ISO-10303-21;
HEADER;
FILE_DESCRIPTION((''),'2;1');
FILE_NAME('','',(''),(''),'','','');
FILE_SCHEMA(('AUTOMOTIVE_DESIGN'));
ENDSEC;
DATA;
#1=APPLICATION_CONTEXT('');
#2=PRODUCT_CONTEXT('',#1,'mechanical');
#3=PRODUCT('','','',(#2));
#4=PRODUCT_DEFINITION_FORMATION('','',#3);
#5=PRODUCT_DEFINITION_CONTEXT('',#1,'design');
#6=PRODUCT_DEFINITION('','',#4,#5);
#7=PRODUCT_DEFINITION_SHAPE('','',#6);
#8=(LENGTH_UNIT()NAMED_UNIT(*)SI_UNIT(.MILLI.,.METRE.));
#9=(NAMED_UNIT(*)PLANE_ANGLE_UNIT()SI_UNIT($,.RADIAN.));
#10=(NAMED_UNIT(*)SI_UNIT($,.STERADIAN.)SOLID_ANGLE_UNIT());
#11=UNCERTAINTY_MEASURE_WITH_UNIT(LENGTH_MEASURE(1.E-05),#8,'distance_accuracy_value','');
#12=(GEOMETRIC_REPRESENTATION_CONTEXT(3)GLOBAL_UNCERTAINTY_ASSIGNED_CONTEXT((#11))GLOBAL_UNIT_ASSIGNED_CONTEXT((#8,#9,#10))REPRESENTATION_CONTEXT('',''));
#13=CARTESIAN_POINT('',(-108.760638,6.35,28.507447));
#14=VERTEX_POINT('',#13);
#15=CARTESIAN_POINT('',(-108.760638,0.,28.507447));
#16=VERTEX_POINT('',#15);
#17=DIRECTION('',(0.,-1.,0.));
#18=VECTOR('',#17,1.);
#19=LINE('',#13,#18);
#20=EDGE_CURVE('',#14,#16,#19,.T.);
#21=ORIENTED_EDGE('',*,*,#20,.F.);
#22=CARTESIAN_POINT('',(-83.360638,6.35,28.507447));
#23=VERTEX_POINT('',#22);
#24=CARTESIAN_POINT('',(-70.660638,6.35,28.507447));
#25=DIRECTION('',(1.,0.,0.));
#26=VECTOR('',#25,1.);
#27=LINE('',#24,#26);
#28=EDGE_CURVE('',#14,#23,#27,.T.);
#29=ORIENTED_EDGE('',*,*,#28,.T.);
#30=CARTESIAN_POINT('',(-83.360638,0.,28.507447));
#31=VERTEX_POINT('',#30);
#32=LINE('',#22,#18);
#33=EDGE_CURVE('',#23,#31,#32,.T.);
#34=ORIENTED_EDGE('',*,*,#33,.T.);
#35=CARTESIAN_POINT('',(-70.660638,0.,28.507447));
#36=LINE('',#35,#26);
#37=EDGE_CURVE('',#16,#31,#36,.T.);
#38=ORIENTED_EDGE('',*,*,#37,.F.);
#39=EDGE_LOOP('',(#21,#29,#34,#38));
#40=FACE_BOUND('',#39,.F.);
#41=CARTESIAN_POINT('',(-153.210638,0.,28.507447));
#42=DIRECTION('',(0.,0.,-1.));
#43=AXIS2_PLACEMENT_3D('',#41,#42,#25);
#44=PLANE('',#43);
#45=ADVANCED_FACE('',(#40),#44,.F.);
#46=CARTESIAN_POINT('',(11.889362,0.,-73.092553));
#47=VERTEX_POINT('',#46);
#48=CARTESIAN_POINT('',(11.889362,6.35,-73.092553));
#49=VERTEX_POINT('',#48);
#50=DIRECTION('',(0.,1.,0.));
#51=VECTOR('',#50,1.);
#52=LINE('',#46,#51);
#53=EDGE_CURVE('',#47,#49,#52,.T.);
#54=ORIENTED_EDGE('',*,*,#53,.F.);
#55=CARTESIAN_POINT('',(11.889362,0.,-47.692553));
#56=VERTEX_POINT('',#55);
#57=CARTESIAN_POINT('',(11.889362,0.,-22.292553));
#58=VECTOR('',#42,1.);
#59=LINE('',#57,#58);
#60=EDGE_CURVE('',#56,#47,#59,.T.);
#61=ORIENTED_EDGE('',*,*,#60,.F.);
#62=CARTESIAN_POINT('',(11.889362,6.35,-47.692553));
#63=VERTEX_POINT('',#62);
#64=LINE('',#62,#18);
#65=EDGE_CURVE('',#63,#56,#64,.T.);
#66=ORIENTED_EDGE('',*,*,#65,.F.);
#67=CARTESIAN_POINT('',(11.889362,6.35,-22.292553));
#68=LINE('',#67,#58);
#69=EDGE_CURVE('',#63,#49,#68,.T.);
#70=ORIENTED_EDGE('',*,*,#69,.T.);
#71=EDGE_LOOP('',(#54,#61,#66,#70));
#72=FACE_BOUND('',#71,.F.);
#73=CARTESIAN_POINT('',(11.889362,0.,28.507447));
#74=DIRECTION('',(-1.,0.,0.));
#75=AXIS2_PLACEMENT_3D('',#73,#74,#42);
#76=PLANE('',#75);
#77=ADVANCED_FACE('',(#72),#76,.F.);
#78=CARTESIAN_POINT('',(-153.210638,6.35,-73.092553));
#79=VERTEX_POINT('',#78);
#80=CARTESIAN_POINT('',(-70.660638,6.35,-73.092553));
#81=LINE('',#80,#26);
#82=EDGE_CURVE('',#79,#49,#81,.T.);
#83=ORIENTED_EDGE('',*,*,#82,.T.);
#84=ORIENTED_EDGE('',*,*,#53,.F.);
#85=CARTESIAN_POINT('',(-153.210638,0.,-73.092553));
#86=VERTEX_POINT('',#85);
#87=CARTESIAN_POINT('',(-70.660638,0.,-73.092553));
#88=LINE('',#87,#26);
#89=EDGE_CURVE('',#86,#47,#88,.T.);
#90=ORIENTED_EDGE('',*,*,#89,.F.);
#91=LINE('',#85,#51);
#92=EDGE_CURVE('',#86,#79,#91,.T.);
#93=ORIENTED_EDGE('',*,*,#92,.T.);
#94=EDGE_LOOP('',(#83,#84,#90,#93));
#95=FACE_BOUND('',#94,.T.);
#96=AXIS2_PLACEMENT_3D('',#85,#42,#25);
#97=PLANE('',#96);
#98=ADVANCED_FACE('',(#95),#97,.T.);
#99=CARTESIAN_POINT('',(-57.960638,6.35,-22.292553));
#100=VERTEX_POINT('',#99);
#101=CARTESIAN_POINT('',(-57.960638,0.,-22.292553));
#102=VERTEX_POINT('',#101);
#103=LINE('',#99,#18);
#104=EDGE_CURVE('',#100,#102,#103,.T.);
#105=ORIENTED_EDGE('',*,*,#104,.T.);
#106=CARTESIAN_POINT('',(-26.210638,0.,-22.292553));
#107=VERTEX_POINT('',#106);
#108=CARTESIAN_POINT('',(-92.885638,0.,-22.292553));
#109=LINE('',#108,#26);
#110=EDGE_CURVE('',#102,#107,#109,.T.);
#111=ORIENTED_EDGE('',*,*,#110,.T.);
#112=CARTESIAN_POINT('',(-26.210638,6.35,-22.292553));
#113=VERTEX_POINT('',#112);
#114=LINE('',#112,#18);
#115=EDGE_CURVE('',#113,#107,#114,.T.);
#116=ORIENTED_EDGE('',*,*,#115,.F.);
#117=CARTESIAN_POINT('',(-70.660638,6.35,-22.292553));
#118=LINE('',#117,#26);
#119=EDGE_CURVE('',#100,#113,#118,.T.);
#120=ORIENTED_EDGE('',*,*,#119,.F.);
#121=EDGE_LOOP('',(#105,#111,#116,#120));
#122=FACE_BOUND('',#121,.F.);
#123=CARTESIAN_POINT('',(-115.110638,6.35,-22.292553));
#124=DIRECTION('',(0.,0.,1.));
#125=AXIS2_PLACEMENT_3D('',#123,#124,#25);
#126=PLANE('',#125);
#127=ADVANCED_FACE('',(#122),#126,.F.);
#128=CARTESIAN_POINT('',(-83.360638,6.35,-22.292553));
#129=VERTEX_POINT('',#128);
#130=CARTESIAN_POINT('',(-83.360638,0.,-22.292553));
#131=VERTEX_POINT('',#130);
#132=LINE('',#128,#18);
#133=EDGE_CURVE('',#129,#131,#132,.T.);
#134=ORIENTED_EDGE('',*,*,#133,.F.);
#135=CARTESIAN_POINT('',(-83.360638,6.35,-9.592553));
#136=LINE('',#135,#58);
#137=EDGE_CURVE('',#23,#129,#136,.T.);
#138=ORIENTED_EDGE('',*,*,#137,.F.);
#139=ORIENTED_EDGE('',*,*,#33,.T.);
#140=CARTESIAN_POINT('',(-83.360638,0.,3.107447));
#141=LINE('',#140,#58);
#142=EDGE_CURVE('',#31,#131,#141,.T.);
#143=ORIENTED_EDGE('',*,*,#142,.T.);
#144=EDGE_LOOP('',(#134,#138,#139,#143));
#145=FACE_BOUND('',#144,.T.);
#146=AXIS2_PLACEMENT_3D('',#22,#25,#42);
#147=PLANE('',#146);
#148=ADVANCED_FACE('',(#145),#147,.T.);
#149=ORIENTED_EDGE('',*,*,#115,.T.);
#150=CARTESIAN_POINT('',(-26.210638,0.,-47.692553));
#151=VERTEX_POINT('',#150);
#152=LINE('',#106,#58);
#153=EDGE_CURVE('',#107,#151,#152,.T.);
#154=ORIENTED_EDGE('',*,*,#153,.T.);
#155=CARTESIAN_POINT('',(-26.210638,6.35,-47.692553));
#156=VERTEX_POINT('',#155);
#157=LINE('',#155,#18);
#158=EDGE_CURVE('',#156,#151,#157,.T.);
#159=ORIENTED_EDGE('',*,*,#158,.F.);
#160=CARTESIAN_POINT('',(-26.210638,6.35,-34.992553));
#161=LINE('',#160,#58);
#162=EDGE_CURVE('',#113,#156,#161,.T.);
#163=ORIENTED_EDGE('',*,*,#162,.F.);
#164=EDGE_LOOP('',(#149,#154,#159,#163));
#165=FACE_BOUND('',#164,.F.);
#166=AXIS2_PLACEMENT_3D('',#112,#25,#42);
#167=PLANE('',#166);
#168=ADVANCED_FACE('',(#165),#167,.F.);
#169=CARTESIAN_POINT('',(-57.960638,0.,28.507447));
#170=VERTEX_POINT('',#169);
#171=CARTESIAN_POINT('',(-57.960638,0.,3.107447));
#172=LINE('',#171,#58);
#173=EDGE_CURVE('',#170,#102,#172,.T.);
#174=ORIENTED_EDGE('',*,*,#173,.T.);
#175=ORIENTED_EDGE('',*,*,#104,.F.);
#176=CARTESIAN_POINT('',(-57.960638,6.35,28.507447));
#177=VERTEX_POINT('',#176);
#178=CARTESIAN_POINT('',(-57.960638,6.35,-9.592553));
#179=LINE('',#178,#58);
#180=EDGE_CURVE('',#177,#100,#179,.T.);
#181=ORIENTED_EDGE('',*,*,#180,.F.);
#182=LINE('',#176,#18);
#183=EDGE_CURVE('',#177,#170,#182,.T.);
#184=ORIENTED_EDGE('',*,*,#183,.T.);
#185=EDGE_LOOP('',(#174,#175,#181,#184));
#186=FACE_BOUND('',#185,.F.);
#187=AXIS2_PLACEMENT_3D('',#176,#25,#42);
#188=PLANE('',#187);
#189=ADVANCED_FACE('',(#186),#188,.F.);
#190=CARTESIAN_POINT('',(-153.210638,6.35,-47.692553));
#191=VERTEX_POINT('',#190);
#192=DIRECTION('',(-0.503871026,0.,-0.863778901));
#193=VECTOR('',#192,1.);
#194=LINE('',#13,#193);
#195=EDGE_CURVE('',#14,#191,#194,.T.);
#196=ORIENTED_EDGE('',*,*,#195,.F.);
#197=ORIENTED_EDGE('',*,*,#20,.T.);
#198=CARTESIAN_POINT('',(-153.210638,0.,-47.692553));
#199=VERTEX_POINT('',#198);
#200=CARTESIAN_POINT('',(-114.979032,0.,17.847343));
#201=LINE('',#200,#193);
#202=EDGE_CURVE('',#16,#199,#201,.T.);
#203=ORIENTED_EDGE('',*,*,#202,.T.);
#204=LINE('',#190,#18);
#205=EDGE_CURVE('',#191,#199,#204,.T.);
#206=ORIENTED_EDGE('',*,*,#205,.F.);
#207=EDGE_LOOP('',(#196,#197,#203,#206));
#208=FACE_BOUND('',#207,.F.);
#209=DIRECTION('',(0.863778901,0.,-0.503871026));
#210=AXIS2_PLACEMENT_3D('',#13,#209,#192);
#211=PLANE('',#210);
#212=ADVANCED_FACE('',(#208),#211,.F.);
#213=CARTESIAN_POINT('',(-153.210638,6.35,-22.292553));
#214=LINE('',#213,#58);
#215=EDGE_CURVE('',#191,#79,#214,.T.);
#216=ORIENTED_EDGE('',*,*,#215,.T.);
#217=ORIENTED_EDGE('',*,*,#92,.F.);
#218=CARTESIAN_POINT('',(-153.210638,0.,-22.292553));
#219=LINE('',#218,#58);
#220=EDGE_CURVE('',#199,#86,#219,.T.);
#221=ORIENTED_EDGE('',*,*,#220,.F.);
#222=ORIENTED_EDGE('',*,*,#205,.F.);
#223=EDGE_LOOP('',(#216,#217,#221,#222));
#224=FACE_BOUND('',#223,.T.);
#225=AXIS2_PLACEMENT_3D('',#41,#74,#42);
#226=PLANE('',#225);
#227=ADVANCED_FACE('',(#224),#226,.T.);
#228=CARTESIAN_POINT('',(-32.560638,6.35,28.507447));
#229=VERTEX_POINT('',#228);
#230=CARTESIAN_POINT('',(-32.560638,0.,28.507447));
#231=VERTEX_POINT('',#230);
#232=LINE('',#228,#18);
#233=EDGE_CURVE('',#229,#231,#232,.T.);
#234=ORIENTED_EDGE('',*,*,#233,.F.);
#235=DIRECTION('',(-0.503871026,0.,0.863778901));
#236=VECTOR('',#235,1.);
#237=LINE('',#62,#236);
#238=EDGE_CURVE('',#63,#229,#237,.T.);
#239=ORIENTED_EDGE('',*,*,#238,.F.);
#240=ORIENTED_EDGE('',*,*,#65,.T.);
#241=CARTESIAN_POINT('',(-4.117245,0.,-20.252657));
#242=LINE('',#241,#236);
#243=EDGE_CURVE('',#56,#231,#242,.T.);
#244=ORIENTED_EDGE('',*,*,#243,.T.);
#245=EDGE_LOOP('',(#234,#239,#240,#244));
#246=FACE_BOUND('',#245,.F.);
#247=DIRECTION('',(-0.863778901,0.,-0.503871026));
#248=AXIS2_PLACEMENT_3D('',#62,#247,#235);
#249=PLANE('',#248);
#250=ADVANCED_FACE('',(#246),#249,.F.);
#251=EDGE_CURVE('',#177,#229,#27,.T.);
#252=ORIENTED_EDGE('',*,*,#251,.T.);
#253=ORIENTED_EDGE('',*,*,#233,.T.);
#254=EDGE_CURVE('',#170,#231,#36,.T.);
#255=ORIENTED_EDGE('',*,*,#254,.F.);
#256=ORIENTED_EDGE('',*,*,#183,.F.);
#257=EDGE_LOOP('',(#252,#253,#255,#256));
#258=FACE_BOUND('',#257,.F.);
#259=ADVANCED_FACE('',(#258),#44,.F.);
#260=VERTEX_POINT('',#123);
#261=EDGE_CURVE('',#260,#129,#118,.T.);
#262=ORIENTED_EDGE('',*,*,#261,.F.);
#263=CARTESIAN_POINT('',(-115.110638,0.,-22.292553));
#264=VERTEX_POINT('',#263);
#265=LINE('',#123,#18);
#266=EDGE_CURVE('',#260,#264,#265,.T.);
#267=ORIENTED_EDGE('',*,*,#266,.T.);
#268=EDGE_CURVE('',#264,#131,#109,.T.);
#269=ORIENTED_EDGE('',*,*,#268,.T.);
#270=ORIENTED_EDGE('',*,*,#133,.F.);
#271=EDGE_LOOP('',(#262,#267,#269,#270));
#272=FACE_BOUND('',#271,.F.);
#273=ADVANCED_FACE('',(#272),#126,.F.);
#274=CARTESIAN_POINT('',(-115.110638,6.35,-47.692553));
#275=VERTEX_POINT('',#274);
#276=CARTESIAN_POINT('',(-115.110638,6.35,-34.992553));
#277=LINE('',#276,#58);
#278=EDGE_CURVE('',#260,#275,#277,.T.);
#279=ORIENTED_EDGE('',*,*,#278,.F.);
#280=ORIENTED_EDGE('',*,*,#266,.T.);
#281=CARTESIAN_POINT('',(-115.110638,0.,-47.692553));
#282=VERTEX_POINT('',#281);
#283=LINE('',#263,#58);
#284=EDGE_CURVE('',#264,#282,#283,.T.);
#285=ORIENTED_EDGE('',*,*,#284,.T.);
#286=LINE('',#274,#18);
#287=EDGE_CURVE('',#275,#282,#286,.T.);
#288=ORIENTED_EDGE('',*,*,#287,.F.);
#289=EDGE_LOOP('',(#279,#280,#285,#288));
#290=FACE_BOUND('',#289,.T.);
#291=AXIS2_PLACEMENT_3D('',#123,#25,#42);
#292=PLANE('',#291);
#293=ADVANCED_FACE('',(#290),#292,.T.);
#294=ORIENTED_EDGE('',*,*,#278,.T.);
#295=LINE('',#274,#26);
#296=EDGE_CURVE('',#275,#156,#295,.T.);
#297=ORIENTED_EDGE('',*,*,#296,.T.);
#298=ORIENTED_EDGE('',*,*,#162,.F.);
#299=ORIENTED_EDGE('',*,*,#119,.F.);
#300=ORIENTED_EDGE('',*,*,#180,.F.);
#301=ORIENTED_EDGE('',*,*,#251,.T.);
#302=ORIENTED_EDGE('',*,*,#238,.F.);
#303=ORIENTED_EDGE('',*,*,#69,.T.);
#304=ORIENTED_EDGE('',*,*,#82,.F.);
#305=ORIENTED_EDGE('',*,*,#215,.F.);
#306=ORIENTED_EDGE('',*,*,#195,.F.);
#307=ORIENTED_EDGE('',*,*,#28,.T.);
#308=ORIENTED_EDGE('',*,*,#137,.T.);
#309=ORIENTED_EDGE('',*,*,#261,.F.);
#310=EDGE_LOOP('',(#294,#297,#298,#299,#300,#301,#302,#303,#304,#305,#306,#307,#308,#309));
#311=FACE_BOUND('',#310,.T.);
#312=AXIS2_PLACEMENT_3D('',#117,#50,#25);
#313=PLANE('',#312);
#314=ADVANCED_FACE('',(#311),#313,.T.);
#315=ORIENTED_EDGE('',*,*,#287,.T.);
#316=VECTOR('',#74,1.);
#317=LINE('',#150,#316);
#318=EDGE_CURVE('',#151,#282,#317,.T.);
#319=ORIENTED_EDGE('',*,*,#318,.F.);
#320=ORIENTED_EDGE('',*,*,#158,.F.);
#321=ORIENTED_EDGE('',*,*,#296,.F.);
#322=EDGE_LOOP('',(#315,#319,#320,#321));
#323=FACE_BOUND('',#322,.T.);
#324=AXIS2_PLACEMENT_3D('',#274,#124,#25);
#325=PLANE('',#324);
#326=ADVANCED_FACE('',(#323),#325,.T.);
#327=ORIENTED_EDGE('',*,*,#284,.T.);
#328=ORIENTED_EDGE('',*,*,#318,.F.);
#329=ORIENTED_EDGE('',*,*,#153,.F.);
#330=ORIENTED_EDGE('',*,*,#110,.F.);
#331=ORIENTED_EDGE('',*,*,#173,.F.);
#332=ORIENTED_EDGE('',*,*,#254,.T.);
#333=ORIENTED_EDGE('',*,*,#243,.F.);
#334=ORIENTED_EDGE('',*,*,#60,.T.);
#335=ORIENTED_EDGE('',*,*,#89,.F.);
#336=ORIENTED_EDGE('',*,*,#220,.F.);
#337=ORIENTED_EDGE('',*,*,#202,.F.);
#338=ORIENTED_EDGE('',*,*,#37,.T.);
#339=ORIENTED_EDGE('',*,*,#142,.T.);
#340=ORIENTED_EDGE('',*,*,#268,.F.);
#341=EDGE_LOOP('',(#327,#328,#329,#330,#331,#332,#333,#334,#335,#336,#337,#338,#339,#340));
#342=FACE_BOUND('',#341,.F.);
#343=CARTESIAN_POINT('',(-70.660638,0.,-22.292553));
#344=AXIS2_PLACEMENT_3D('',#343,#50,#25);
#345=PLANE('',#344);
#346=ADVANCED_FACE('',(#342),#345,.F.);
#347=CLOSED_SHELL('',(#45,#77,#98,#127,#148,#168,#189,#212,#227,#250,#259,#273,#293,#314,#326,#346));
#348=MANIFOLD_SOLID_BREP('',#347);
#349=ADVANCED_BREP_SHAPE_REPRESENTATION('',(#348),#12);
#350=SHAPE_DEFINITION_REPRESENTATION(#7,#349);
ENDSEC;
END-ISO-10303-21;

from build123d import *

# Parameters (mm, degrees)
SKETCH2_W           = 165.1
SKETCH2_H           = 101.6
BOSS_EXTRUDE1_DEPTH = 6.35
SKETCH3_W           = 25.4
SKETCH3_H           = 76.2
CUT_EXTRUDE2_DEPTH  = 7.35
SKETCH5_W           = 88.9
SKETCH5_H           = 25.4
CUT_EXTRUDE3_DEPTH  = 7.35
CUT_EXTRUDE4_DEPTH  = 7.35
CUT_EXTRUDE5_DEPTH  = 7.35


with BuildPart() as part:
    # Sketch2 → Boss-Extrude1 (new body)
    with BuildSketch(Plane(origin=(0, 0, 0), x_dir=(1, 0, 0), z_dir=(0, 1, 0))):
        with Locations((-70.660638298, 22.292553191)):
            Rectangle(SKETCH2_W, SKETCH2_H)
    extrude(amount=BOSS_EXTRUDE1_DEPTH)

    # Sketch3 → Cut-Extrude2 (cut, through all)
    with BuildSketch(Plane(origin=(0, 6.35, 0), x_dir=(1, 0, 0), z_dir=(0, 1, 0))):
        with Locations((-70.660638298, 9.592553191)):
            Rectangle(SKETCH3_W, SKETCH3_H)
    extrude(amount=-CUT_EXTRUDE2_DEPTH, mode=Mode.SUBTRACT)

    # Sketch5 → Cut-Extrude3 (cut, through all)
    with BuildSketch(Plane(origin=(0, 6.35, 0), x_dir=(1, 0, 0), z_dir=(0, 1, 0))):
        with Locations((-70.660638298, 34.992553191)):
            Rectangle(SKETCH5_W, SKETCH5_H)
    extrude(amount=-CUT_EXTRUDE3_DEPTH, mode=Mode.SUBTRACT)

    # Sketch6 → Cut-Extrude4 (cut, through all)
    with BuildSketch(Plane(origin=(0, 6.35, 0), x_dir=(1, 0, 0), z_dir=(0, 1, 0))):
        Polygon((-153.210638298, -28.507446809), (-108.760638298, -28.507446809), (-153.210638298, 47.692553191), align=None)
    extrude(amount=-CUT_EXTRUDE4_DEPTH, mode=Mode.SUBTRACT)

    # Sketch7 → Cut-Extrude5 (cut, through all)
    with BuildSketch(Plane(origin=(0, 6.35, 0), x_dir=(1, 0, 0), z_dir=(0, 1, 0))):
        Polygon((11.889361702, -28.507446809), (11.889361702, 47.692553191), (-32.560638298, -28.507446809), align=None)
    extrude(amount=-CUT_EXTRUDE5_DEPTH, mode=Mode.SUBTRACT)


solid = part.part
